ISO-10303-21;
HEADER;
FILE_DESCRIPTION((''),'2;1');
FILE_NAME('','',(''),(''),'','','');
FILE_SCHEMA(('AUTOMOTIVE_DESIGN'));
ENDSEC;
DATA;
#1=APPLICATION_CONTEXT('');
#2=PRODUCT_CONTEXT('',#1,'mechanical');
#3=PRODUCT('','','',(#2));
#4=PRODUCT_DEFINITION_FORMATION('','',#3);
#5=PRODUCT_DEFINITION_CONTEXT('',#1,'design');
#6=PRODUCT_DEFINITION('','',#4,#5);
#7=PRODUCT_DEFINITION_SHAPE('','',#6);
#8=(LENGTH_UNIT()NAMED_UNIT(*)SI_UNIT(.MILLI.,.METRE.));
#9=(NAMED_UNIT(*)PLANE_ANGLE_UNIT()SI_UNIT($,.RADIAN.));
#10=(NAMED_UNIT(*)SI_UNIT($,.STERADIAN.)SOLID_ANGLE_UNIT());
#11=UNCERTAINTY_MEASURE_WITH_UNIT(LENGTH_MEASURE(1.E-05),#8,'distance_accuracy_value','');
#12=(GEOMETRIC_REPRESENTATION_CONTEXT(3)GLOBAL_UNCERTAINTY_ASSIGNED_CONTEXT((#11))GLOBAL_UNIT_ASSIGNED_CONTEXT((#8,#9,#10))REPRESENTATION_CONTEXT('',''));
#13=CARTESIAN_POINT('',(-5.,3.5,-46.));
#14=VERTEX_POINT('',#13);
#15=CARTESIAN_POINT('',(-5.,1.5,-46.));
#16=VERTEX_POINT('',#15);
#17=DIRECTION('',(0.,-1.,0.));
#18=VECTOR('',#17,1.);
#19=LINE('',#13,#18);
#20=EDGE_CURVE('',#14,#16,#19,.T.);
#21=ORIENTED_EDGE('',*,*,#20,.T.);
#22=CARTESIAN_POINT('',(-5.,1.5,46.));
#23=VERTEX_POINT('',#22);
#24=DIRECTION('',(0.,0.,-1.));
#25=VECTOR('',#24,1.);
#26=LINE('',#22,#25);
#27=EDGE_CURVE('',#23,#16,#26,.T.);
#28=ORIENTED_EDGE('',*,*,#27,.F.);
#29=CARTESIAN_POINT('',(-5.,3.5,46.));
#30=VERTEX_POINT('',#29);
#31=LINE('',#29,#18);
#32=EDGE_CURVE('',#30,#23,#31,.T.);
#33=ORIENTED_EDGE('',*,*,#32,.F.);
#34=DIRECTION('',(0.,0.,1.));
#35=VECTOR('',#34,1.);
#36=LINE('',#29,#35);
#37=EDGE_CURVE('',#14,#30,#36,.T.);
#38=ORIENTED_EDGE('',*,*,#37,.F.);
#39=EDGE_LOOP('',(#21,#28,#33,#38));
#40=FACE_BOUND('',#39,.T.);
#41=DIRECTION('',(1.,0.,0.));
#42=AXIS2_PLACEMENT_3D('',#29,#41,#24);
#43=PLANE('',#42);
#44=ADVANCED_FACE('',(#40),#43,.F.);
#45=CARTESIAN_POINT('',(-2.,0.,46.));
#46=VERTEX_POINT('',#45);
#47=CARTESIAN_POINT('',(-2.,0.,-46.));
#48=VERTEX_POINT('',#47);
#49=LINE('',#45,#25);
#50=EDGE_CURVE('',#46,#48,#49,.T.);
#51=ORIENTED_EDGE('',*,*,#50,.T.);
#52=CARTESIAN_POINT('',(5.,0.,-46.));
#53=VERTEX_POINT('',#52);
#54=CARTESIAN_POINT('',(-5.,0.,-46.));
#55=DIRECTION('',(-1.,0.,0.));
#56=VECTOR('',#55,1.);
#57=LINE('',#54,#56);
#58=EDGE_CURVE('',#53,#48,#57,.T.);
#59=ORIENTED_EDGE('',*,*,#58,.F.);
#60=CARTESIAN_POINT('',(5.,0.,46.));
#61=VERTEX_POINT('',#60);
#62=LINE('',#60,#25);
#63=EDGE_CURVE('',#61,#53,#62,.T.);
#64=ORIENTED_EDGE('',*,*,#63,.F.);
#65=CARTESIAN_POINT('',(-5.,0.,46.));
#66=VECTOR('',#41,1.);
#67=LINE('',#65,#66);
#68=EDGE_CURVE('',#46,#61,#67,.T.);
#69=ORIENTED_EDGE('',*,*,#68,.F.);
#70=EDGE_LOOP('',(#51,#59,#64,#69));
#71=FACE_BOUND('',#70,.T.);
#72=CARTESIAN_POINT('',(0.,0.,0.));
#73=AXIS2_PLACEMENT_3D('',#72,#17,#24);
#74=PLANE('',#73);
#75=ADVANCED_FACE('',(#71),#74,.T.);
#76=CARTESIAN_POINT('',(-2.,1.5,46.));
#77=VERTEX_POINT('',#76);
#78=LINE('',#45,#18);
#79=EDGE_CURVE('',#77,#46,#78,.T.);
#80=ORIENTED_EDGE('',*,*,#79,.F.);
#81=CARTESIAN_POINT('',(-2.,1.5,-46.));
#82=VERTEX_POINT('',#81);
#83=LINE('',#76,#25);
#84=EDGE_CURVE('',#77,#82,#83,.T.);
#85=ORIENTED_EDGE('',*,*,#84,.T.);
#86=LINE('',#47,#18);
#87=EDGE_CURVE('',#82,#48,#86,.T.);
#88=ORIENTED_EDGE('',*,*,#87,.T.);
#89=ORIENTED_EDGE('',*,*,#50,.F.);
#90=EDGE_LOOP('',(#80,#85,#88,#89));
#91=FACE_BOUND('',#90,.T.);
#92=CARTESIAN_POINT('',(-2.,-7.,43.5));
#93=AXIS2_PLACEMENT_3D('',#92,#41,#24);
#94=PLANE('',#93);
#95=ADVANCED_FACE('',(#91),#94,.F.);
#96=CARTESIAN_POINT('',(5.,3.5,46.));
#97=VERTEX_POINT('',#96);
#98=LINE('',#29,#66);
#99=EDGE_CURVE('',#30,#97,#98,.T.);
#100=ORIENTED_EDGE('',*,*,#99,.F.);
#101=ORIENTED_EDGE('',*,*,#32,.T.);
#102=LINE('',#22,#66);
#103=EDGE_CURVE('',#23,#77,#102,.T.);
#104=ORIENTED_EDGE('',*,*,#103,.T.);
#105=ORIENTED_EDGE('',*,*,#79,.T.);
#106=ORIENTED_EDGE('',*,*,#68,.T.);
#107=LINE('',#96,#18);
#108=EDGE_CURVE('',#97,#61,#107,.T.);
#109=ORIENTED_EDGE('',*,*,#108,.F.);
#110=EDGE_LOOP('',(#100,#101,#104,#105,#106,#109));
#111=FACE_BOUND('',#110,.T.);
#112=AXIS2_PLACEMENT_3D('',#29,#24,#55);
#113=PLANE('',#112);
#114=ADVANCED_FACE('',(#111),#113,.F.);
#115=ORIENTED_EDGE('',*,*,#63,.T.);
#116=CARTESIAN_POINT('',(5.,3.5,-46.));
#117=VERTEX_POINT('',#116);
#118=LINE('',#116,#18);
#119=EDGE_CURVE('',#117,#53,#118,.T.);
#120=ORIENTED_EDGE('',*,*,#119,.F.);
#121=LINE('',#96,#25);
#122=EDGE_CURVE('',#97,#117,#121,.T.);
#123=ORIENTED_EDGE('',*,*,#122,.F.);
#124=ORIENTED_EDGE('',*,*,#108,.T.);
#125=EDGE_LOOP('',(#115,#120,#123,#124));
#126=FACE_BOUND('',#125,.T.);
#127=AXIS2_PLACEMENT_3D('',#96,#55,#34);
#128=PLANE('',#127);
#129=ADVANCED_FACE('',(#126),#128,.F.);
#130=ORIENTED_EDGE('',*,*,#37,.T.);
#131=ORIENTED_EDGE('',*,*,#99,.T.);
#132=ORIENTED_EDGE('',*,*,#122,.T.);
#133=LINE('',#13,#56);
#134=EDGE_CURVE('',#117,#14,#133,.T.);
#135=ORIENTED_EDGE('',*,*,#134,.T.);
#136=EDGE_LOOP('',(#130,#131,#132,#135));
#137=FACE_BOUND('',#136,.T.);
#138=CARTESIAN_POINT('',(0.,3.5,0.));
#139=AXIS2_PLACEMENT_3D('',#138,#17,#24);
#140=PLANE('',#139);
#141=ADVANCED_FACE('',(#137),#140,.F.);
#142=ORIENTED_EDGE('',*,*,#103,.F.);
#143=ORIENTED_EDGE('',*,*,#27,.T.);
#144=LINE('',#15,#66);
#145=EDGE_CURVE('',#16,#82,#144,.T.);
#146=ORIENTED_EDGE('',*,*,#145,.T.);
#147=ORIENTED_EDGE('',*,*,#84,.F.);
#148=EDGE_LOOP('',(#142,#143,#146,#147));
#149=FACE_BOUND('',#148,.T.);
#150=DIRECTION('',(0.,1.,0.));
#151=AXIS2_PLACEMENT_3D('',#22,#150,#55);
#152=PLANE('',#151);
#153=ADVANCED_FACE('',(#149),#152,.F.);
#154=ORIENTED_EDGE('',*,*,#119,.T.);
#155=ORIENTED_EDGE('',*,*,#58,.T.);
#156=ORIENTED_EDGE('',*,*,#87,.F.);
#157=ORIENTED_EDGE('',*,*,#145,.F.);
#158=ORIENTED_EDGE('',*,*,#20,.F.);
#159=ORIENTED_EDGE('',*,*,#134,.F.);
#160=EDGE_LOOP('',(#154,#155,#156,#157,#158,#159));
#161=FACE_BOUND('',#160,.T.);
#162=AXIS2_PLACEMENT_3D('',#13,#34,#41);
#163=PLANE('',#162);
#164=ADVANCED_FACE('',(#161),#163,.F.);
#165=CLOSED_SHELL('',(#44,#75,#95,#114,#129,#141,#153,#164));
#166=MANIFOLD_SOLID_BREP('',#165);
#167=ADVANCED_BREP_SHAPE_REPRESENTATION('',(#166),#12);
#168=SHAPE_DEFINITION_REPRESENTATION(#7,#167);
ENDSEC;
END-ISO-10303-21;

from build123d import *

# Parameters (mm, degrees)
SKETCH_1_W          = 10
SKETCH_1_H          = 92
EXTRUDE_1_DEPTH     = 3.5
SKETCH_2_W          = 7
SKETCH_2_H          = 7
EXTRUDE_2_DEPTH     = 7
SKETCH_3_R          = 1.5
CUT_EXTRUDE_1_DEPTH = 7
SKETCH_4_R          = 2.15
CUT_EXTRUDE_2_DEPTH = 1
SKETCH_5_W          = 3
SKETCH_5_H          = 1.5
CUT_EXTRUDE_3_DEPTH = 92
SKETCH_6_W          = 30.020813891
SKETCH_6_H          = 96.833093315
CUT_EXTRUDE_4_DEPTH = 10


with BuildPart() as part:
    # 스케치1 → 보스-돌출1 (new body)
    with BuildSketch(Plane(origin=(0, 0, 0), x_dir=(1, 0, 0), z_dir=(0, 1, 0))):
        Rectangle(SKETCH_1_W, SKETCH_1_H)
    extrude(amount=EXTRUDE_1_DEPTH)

    # 스케치2 → 보스-돌출2 (add)
    with BuildSketch(Plane.XZ):
        with Locations((1.5, 40)):
            Rectangle(SKETCH_2_W, SKETCH_2_H)
        with Locations((1.5, 0)):
            Rectangle(SKETCH_2_W, SKETCH_2_H)
        with Locations((1.5, -40)):
            Rectangle(SKETCH_2_W, SKETCH_2_H)
    extrude(amount=EXTRUDE_2_DEPTH)

    # 스케치3 → 컷-돌출1 (cut)
    with BuildSketch(Plane(origin=(5, 0, 0), x_dir=(0, 0, -1), z_dir=(1, 0, 0))):
        with Locations((-40, -3.5)):
            Circle(SKETCH_3_R)
        with Locations((0, -3.5)):
            Circle(SKETCH_3_R)
        with Locations((40, -3.5)):
            Circle(SKETCH_3_R)
    extrude(amount=-CUT_EXTRUDE_1_DEPTH, mode=Mode.SUBTRACT)

    # 스케치4 → 컷-돌출2 (cut)
    with BuildSketch(Plane.ZY.offset(2)):
        with Locations((-40, -3.5)):
            Circle(SKETCH_4_R)
        with Locations((0, -3.5)):
            Circle(SKETCH_4_R)
        with Locations((40, -3.5)):
            Circle(SKETCH_4_R)
    extrude(amount=-CUT_EXTRUDE_2_DEPTH, mode=Mode.SUBTRACT)

    # 스케치5 → 컷-돌출3 (cut)
    with BuildSketch(Plane(origin=(0, 0, -46), x_dir=(-1, 0, 0), z_dir=(0, 0, -1))):
        with Locations((3.5, 0.75)):
            Rectangle(SKETCH_5_W, SKETCH_5_H)
    extrude(amount=-CUT_EXTRUDE_3_DEPTH, mode=Mode.SUBTRACT)

    # 스케치6 → 컷-돌출4 (cut)
    with BuildSketch(Plane.XZ):
        with Locations((-3.768545255, 0.383256933)):
            Rectangle(SKETCH_6_W, SKETCH_6_H)
    extrude(amount=CUT_EXTRUDE_4_DEPTH, mode=Mode.SUBTRACT)


solid = part.part
